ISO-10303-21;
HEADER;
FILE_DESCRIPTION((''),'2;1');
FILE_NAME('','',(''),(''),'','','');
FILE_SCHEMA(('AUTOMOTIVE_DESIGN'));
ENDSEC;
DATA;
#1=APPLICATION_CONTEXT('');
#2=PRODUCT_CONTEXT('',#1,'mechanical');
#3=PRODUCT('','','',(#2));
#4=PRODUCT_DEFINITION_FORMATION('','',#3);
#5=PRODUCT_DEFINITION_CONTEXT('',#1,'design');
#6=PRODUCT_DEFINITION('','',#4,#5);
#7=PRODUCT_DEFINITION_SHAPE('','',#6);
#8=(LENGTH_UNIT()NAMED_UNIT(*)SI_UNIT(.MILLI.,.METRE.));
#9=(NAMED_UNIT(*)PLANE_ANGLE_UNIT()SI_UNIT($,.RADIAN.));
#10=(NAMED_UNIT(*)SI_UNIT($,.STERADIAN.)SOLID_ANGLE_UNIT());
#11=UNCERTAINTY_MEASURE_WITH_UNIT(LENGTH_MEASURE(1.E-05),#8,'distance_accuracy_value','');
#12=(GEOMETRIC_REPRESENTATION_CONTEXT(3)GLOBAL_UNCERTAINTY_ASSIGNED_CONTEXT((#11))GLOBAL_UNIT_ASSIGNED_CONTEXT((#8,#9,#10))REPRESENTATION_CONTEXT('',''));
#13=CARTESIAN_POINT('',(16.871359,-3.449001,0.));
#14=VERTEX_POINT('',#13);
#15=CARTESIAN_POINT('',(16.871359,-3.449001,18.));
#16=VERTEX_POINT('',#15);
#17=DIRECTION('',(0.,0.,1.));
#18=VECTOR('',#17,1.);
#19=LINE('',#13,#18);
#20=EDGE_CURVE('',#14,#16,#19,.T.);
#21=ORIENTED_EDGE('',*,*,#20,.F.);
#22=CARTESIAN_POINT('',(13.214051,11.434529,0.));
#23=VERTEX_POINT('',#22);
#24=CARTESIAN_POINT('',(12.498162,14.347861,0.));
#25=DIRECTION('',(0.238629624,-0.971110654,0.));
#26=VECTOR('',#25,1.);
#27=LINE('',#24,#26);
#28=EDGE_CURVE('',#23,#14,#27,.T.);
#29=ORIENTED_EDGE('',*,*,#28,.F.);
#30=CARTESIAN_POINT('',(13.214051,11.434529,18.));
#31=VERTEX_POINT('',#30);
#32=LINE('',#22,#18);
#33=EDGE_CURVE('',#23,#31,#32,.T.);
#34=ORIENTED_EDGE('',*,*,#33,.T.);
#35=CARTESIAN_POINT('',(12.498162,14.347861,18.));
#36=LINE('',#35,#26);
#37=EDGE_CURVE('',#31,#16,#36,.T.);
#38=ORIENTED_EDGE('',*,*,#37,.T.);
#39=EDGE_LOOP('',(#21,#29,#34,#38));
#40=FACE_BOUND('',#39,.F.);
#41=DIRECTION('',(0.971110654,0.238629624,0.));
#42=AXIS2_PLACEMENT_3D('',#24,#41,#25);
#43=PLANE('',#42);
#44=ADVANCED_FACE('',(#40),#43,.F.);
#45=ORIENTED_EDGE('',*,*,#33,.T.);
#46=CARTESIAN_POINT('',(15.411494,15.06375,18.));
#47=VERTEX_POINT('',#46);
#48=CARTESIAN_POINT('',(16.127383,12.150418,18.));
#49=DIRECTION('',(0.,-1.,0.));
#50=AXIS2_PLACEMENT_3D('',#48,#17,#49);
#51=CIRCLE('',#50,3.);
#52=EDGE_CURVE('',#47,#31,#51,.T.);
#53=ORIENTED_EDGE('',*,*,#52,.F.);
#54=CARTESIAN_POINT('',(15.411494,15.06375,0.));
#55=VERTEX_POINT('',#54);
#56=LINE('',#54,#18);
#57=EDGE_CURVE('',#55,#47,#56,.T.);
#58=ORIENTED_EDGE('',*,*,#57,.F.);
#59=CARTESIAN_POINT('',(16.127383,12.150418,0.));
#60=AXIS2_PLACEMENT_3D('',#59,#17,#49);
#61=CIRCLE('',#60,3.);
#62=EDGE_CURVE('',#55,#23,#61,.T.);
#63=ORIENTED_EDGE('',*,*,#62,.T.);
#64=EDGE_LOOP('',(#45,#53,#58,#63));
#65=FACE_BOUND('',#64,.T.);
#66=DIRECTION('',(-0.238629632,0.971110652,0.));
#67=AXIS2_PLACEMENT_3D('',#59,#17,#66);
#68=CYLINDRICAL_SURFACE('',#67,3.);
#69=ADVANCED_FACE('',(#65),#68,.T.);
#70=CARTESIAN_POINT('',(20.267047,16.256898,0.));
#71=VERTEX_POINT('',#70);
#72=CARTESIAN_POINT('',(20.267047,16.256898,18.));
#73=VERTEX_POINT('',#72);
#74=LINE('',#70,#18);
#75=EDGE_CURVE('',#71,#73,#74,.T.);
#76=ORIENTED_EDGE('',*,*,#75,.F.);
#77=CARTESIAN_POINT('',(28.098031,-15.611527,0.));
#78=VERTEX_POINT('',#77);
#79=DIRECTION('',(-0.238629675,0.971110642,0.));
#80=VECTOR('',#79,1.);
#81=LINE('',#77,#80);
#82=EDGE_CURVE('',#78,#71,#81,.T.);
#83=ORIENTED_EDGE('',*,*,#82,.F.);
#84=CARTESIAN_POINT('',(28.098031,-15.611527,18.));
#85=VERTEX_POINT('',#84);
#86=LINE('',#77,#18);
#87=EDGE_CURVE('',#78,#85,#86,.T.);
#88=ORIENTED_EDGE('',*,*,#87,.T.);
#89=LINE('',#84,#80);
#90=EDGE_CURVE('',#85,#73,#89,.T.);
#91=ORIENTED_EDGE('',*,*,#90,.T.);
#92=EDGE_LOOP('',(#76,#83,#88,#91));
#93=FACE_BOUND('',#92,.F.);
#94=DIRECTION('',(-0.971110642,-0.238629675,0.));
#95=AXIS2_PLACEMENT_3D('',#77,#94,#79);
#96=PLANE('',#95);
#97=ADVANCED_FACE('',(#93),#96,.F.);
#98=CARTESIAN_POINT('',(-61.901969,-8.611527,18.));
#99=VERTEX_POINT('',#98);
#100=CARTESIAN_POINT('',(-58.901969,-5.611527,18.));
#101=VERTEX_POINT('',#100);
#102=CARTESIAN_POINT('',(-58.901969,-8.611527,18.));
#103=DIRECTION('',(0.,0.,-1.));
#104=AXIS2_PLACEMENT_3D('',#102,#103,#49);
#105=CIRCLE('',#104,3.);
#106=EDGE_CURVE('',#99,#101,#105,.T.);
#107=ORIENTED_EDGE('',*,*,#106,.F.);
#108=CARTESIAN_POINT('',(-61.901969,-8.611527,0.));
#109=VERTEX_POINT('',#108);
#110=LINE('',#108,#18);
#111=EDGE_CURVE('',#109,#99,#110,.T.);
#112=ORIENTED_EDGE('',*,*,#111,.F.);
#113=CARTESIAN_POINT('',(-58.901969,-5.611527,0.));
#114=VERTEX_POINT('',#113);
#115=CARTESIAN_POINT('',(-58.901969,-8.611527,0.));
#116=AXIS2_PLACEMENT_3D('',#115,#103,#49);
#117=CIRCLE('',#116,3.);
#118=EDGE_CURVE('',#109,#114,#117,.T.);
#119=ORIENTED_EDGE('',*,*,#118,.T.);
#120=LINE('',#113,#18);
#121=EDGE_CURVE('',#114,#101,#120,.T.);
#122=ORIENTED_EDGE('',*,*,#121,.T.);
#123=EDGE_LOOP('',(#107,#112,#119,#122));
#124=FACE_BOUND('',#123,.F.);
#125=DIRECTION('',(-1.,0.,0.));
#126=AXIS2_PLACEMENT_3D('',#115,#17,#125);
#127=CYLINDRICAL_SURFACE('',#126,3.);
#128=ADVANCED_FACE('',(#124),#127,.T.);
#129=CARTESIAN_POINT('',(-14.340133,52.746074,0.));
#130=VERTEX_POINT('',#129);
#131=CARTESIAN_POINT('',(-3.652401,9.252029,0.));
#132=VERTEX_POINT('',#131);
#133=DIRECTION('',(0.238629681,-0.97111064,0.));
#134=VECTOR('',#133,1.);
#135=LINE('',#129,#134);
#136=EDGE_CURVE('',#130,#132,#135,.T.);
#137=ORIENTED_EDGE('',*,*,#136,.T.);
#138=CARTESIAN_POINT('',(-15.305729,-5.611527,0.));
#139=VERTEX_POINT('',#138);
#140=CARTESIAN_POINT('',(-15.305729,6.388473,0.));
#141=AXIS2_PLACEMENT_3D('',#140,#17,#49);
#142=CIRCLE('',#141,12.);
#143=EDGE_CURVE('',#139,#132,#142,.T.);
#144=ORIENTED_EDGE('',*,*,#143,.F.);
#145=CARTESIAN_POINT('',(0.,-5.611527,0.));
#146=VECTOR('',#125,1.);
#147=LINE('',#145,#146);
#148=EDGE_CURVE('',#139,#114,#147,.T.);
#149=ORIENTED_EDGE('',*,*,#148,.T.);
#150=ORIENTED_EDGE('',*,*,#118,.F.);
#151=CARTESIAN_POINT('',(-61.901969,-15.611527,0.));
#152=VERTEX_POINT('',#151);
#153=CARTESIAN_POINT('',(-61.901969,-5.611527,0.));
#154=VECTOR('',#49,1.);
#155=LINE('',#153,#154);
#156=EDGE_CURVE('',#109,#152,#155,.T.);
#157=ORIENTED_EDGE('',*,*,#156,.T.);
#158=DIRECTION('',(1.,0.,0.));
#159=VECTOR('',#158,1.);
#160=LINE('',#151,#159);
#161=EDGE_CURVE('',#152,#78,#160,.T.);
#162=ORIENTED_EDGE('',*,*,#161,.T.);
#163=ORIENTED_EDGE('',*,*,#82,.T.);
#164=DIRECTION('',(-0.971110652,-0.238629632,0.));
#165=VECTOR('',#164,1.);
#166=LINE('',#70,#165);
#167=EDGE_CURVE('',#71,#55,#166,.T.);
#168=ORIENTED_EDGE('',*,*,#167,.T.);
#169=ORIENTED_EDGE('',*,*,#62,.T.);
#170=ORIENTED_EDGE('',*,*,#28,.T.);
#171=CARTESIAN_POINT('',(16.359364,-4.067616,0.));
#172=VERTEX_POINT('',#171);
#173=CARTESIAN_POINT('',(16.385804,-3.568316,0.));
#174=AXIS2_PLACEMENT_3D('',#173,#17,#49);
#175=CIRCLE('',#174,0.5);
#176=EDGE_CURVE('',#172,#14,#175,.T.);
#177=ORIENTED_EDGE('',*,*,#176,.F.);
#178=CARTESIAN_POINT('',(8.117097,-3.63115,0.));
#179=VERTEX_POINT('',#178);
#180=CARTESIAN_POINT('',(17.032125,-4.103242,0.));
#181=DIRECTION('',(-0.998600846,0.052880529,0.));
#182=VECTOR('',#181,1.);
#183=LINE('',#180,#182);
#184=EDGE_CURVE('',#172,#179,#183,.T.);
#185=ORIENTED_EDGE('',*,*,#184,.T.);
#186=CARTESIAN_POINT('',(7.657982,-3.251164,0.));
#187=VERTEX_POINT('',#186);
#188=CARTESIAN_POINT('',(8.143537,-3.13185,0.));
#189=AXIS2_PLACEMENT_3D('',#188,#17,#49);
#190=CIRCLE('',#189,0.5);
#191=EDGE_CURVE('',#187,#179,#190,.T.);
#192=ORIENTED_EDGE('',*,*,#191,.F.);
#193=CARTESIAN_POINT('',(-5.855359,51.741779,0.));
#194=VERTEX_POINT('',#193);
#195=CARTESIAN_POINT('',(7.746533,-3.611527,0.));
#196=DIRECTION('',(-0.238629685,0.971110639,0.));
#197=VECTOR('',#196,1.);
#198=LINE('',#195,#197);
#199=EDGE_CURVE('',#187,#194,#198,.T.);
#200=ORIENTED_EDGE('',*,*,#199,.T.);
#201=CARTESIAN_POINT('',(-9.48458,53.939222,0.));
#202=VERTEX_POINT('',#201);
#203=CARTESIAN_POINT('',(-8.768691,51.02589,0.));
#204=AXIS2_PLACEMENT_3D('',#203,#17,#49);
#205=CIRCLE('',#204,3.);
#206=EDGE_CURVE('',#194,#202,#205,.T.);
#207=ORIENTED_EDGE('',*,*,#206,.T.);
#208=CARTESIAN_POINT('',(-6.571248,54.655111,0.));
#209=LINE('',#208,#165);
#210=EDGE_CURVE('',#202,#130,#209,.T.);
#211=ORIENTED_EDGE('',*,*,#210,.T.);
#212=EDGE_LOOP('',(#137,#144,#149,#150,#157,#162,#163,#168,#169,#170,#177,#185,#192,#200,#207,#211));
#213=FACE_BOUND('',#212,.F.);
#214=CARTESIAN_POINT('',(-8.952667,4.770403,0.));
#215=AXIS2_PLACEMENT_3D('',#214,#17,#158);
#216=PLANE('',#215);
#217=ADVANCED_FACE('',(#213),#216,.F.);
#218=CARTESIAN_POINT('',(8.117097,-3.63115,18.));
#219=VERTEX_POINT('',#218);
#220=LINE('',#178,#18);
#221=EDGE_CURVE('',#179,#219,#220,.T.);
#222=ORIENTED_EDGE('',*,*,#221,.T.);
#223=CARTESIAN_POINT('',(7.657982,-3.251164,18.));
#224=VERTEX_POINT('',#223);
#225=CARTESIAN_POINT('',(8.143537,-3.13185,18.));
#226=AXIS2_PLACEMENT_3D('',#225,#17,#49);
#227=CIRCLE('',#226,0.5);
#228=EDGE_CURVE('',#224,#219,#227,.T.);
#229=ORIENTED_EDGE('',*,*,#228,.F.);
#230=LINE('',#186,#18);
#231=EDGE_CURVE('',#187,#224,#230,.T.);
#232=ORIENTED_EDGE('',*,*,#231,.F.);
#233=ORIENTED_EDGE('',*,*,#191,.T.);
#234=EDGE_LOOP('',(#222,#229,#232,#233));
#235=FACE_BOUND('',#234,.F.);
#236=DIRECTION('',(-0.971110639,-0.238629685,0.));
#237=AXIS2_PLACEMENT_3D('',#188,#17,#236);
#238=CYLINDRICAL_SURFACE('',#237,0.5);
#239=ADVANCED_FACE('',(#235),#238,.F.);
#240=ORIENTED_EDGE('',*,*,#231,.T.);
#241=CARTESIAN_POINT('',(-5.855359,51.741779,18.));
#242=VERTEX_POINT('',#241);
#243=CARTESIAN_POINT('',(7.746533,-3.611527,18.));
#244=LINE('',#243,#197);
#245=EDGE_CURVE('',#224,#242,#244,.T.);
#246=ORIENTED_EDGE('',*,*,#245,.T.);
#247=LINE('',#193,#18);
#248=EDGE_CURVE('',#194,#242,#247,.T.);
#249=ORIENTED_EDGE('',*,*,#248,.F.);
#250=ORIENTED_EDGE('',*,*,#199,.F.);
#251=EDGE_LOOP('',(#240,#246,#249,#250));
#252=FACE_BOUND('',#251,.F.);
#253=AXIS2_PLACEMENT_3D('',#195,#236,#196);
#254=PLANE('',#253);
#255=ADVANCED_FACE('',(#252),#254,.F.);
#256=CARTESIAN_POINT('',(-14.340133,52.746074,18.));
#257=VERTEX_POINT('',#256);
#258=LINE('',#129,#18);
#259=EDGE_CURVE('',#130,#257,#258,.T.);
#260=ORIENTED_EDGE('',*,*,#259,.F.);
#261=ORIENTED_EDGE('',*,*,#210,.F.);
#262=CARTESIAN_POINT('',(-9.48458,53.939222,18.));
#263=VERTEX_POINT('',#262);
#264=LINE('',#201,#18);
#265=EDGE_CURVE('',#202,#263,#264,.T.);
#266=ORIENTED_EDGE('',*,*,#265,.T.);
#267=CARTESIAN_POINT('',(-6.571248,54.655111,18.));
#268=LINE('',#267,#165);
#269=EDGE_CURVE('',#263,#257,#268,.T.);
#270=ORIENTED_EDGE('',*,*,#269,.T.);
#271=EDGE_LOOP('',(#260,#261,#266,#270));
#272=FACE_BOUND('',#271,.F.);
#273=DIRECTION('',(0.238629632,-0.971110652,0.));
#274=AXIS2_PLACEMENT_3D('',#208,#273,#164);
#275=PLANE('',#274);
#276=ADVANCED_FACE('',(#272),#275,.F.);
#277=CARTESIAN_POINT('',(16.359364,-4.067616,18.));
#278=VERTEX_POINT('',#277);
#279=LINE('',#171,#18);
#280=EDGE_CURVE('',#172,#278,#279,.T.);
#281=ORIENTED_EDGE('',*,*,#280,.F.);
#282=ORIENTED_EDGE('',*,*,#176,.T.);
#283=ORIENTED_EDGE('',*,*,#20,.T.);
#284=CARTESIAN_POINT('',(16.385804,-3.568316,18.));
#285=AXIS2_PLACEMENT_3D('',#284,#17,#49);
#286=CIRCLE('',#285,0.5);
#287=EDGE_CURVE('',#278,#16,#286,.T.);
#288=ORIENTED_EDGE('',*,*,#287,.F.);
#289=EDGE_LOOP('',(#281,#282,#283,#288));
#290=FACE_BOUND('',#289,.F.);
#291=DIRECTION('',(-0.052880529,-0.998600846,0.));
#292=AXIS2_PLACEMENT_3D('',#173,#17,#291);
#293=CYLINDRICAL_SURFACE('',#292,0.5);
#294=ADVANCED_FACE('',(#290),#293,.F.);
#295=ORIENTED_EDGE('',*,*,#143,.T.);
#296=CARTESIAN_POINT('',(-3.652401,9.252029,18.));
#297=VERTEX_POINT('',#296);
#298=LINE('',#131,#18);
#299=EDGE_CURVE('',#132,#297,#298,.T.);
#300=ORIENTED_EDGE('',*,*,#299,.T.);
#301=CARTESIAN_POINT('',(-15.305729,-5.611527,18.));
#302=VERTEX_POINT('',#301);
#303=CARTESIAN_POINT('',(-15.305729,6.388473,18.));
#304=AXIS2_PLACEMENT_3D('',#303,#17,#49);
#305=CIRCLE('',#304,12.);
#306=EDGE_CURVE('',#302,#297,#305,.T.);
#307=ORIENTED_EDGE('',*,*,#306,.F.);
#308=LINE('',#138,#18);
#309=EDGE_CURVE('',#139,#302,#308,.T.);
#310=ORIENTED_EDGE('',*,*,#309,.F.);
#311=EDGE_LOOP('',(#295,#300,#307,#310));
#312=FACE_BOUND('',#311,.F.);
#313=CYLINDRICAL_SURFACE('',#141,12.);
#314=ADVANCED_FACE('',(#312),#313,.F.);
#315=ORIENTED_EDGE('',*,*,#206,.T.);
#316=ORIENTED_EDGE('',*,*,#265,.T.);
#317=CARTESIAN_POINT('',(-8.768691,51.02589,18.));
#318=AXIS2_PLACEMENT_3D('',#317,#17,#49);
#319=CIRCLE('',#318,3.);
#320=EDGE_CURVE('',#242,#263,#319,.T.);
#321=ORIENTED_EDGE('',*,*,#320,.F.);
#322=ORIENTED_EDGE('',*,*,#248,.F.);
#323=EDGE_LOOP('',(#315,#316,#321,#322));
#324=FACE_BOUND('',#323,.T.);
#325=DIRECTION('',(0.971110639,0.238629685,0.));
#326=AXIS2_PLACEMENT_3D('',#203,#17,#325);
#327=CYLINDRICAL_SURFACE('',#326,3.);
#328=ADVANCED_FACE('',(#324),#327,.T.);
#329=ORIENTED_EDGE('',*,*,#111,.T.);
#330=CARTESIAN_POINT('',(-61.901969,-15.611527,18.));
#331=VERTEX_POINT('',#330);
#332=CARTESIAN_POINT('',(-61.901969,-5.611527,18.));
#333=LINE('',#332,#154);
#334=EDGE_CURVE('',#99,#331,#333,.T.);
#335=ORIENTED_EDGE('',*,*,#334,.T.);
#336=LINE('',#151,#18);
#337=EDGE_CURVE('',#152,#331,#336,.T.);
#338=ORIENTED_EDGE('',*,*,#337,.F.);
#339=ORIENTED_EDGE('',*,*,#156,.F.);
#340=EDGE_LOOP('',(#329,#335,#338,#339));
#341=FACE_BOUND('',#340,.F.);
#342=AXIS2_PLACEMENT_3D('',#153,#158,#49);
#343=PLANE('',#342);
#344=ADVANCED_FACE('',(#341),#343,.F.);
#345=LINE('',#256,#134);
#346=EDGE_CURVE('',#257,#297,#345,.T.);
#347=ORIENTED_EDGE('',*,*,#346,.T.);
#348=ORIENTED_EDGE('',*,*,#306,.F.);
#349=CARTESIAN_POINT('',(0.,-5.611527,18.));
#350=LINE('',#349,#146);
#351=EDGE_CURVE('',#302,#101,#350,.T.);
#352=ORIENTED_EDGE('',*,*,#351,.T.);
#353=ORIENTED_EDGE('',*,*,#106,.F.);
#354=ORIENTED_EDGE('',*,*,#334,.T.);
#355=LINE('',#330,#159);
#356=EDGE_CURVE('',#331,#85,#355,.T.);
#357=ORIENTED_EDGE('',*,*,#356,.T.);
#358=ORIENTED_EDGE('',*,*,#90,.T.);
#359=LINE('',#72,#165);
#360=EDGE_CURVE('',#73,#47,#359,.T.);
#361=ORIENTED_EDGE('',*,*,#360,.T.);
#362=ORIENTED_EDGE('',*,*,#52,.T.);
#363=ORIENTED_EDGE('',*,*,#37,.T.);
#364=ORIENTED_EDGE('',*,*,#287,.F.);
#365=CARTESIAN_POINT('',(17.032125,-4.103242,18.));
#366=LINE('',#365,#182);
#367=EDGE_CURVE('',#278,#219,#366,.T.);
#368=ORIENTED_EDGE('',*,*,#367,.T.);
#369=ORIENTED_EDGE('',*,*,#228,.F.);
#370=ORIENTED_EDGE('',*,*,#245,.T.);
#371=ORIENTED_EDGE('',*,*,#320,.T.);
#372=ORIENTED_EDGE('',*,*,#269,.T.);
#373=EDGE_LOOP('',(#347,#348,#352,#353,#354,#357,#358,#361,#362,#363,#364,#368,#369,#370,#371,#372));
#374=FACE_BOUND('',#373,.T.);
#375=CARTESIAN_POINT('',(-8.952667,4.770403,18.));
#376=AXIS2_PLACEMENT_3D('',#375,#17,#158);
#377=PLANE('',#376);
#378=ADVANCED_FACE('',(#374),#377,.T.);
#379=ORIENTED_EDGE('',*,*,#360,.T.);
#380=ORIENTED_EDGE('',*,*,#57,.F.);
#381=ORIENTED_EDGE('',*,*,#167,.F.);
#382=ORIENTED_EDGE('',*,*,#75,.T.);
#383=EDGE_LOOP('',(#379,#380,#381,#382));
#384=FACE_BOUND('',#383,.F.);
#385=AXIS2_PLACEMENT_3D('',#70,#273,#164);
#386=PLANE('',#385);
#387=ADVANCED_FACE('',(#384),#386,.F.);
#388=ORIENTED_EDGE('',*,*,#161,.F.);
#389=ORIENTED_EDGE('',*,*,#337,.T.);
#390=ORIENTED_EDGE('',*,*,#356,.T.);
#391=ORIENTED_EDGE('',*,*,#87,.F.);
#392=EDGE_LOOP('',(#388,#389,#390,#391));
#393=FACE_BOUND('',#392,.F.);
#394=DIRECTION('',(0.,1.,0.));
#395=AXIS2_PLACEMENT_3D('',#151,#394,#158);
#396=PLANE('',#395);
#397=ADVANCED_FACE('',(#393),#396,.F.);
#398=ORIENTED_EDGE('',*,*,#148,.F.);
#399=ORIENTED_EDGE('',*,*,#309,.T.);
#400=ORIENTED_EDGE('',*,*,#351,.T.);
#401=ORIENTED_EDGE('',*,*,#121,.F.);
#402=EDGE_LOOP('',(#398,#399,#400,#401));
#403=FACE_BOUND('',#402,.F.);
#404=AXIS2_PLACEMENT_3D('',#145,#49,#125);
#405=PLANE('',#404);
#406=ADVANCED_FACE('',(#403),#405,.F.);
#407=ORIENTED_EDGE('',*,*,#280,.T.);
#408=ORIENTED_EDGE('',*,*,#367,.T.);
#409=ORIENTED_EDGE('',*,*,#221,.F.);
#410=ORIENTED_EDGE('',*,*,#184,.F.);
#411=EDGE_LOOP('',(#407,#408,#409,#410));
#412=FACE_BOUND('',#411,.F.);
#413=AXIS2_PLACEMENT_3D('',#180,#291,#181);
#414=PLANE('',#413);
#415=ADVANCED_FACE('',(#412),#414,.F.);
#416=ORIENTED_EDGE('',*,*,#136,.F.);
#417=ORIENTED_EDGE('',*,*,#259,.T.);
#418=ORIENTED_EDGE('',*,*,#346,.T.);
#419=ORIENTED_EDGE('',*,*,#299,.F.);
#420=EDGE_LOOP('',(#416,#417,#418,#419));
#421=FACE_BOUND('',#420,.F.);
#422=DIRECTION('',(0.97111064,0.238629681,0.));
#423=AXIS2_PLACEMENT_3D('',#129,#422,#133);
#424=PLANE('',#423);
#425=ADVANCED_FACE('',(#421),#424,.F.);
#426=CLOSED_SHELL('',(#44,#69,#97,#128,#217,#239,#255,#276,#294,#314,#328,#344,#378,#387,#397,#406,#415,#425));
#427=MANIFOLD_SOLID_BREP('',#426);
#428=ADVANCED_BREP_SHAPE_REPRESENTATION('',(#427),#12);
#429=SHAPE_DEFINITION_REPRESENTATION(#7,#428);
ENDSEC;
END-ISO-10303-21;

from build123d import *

# Parameters (mm, degrees)
F1_DEPTH = 18
F2_R     = 3
F3_R     = 3
F4_R     = 12
F5_R     = 0.5


with BuildPart() as f1:
    # F0 (on Top) → F1 (new body)
    with BuildSketch(Plane.XY):
        Polygon((-61.901969, -15.611527), (28.098031, -15.611527), (20.267047, 16.256898), (12.498162, 14.347861), (17.032125, -4.103242), (7.746533, -3.611527), (-6.571248, 54.655111), (-14.340133, 52.746074), (0, -5.611527), (-61.901969, -5.611527), align=None)
    extrude(amount=F1_DEPTH)

    # F2
    f2_edges = [f1.edges().sort_by_distance(p)[0] for p in [
        (12.498162, 14.347861, 9),
        (-6.571248, 54.655111, 9),
    ]]
    fillet(f2_edges, radius=F2_R)

    # F3
    f3_edges = [f1.edges().sort_by_distance(p)[0] for p in [
        (-61.901969, -5.611527, 9),
    ]]
    fillet(f3_edges, radius=F3_R)

    # F4
    f4_edges = [f1.edges().sort_by_distance(p)[0] for p in [
        (0, -5.611527, 9),
    ]]
    fillet(f4_edges, radius=F4_R)

    # F5
    f5_edges = [f1.edges().sort_by_distance(p)[0] for p in [
        (17.032125, -4.103242, 9),
        (7.746533, -3.611527, 9),
    ]]
    fillet(f5_edges, radius=F5_R)


solid = f1.part
